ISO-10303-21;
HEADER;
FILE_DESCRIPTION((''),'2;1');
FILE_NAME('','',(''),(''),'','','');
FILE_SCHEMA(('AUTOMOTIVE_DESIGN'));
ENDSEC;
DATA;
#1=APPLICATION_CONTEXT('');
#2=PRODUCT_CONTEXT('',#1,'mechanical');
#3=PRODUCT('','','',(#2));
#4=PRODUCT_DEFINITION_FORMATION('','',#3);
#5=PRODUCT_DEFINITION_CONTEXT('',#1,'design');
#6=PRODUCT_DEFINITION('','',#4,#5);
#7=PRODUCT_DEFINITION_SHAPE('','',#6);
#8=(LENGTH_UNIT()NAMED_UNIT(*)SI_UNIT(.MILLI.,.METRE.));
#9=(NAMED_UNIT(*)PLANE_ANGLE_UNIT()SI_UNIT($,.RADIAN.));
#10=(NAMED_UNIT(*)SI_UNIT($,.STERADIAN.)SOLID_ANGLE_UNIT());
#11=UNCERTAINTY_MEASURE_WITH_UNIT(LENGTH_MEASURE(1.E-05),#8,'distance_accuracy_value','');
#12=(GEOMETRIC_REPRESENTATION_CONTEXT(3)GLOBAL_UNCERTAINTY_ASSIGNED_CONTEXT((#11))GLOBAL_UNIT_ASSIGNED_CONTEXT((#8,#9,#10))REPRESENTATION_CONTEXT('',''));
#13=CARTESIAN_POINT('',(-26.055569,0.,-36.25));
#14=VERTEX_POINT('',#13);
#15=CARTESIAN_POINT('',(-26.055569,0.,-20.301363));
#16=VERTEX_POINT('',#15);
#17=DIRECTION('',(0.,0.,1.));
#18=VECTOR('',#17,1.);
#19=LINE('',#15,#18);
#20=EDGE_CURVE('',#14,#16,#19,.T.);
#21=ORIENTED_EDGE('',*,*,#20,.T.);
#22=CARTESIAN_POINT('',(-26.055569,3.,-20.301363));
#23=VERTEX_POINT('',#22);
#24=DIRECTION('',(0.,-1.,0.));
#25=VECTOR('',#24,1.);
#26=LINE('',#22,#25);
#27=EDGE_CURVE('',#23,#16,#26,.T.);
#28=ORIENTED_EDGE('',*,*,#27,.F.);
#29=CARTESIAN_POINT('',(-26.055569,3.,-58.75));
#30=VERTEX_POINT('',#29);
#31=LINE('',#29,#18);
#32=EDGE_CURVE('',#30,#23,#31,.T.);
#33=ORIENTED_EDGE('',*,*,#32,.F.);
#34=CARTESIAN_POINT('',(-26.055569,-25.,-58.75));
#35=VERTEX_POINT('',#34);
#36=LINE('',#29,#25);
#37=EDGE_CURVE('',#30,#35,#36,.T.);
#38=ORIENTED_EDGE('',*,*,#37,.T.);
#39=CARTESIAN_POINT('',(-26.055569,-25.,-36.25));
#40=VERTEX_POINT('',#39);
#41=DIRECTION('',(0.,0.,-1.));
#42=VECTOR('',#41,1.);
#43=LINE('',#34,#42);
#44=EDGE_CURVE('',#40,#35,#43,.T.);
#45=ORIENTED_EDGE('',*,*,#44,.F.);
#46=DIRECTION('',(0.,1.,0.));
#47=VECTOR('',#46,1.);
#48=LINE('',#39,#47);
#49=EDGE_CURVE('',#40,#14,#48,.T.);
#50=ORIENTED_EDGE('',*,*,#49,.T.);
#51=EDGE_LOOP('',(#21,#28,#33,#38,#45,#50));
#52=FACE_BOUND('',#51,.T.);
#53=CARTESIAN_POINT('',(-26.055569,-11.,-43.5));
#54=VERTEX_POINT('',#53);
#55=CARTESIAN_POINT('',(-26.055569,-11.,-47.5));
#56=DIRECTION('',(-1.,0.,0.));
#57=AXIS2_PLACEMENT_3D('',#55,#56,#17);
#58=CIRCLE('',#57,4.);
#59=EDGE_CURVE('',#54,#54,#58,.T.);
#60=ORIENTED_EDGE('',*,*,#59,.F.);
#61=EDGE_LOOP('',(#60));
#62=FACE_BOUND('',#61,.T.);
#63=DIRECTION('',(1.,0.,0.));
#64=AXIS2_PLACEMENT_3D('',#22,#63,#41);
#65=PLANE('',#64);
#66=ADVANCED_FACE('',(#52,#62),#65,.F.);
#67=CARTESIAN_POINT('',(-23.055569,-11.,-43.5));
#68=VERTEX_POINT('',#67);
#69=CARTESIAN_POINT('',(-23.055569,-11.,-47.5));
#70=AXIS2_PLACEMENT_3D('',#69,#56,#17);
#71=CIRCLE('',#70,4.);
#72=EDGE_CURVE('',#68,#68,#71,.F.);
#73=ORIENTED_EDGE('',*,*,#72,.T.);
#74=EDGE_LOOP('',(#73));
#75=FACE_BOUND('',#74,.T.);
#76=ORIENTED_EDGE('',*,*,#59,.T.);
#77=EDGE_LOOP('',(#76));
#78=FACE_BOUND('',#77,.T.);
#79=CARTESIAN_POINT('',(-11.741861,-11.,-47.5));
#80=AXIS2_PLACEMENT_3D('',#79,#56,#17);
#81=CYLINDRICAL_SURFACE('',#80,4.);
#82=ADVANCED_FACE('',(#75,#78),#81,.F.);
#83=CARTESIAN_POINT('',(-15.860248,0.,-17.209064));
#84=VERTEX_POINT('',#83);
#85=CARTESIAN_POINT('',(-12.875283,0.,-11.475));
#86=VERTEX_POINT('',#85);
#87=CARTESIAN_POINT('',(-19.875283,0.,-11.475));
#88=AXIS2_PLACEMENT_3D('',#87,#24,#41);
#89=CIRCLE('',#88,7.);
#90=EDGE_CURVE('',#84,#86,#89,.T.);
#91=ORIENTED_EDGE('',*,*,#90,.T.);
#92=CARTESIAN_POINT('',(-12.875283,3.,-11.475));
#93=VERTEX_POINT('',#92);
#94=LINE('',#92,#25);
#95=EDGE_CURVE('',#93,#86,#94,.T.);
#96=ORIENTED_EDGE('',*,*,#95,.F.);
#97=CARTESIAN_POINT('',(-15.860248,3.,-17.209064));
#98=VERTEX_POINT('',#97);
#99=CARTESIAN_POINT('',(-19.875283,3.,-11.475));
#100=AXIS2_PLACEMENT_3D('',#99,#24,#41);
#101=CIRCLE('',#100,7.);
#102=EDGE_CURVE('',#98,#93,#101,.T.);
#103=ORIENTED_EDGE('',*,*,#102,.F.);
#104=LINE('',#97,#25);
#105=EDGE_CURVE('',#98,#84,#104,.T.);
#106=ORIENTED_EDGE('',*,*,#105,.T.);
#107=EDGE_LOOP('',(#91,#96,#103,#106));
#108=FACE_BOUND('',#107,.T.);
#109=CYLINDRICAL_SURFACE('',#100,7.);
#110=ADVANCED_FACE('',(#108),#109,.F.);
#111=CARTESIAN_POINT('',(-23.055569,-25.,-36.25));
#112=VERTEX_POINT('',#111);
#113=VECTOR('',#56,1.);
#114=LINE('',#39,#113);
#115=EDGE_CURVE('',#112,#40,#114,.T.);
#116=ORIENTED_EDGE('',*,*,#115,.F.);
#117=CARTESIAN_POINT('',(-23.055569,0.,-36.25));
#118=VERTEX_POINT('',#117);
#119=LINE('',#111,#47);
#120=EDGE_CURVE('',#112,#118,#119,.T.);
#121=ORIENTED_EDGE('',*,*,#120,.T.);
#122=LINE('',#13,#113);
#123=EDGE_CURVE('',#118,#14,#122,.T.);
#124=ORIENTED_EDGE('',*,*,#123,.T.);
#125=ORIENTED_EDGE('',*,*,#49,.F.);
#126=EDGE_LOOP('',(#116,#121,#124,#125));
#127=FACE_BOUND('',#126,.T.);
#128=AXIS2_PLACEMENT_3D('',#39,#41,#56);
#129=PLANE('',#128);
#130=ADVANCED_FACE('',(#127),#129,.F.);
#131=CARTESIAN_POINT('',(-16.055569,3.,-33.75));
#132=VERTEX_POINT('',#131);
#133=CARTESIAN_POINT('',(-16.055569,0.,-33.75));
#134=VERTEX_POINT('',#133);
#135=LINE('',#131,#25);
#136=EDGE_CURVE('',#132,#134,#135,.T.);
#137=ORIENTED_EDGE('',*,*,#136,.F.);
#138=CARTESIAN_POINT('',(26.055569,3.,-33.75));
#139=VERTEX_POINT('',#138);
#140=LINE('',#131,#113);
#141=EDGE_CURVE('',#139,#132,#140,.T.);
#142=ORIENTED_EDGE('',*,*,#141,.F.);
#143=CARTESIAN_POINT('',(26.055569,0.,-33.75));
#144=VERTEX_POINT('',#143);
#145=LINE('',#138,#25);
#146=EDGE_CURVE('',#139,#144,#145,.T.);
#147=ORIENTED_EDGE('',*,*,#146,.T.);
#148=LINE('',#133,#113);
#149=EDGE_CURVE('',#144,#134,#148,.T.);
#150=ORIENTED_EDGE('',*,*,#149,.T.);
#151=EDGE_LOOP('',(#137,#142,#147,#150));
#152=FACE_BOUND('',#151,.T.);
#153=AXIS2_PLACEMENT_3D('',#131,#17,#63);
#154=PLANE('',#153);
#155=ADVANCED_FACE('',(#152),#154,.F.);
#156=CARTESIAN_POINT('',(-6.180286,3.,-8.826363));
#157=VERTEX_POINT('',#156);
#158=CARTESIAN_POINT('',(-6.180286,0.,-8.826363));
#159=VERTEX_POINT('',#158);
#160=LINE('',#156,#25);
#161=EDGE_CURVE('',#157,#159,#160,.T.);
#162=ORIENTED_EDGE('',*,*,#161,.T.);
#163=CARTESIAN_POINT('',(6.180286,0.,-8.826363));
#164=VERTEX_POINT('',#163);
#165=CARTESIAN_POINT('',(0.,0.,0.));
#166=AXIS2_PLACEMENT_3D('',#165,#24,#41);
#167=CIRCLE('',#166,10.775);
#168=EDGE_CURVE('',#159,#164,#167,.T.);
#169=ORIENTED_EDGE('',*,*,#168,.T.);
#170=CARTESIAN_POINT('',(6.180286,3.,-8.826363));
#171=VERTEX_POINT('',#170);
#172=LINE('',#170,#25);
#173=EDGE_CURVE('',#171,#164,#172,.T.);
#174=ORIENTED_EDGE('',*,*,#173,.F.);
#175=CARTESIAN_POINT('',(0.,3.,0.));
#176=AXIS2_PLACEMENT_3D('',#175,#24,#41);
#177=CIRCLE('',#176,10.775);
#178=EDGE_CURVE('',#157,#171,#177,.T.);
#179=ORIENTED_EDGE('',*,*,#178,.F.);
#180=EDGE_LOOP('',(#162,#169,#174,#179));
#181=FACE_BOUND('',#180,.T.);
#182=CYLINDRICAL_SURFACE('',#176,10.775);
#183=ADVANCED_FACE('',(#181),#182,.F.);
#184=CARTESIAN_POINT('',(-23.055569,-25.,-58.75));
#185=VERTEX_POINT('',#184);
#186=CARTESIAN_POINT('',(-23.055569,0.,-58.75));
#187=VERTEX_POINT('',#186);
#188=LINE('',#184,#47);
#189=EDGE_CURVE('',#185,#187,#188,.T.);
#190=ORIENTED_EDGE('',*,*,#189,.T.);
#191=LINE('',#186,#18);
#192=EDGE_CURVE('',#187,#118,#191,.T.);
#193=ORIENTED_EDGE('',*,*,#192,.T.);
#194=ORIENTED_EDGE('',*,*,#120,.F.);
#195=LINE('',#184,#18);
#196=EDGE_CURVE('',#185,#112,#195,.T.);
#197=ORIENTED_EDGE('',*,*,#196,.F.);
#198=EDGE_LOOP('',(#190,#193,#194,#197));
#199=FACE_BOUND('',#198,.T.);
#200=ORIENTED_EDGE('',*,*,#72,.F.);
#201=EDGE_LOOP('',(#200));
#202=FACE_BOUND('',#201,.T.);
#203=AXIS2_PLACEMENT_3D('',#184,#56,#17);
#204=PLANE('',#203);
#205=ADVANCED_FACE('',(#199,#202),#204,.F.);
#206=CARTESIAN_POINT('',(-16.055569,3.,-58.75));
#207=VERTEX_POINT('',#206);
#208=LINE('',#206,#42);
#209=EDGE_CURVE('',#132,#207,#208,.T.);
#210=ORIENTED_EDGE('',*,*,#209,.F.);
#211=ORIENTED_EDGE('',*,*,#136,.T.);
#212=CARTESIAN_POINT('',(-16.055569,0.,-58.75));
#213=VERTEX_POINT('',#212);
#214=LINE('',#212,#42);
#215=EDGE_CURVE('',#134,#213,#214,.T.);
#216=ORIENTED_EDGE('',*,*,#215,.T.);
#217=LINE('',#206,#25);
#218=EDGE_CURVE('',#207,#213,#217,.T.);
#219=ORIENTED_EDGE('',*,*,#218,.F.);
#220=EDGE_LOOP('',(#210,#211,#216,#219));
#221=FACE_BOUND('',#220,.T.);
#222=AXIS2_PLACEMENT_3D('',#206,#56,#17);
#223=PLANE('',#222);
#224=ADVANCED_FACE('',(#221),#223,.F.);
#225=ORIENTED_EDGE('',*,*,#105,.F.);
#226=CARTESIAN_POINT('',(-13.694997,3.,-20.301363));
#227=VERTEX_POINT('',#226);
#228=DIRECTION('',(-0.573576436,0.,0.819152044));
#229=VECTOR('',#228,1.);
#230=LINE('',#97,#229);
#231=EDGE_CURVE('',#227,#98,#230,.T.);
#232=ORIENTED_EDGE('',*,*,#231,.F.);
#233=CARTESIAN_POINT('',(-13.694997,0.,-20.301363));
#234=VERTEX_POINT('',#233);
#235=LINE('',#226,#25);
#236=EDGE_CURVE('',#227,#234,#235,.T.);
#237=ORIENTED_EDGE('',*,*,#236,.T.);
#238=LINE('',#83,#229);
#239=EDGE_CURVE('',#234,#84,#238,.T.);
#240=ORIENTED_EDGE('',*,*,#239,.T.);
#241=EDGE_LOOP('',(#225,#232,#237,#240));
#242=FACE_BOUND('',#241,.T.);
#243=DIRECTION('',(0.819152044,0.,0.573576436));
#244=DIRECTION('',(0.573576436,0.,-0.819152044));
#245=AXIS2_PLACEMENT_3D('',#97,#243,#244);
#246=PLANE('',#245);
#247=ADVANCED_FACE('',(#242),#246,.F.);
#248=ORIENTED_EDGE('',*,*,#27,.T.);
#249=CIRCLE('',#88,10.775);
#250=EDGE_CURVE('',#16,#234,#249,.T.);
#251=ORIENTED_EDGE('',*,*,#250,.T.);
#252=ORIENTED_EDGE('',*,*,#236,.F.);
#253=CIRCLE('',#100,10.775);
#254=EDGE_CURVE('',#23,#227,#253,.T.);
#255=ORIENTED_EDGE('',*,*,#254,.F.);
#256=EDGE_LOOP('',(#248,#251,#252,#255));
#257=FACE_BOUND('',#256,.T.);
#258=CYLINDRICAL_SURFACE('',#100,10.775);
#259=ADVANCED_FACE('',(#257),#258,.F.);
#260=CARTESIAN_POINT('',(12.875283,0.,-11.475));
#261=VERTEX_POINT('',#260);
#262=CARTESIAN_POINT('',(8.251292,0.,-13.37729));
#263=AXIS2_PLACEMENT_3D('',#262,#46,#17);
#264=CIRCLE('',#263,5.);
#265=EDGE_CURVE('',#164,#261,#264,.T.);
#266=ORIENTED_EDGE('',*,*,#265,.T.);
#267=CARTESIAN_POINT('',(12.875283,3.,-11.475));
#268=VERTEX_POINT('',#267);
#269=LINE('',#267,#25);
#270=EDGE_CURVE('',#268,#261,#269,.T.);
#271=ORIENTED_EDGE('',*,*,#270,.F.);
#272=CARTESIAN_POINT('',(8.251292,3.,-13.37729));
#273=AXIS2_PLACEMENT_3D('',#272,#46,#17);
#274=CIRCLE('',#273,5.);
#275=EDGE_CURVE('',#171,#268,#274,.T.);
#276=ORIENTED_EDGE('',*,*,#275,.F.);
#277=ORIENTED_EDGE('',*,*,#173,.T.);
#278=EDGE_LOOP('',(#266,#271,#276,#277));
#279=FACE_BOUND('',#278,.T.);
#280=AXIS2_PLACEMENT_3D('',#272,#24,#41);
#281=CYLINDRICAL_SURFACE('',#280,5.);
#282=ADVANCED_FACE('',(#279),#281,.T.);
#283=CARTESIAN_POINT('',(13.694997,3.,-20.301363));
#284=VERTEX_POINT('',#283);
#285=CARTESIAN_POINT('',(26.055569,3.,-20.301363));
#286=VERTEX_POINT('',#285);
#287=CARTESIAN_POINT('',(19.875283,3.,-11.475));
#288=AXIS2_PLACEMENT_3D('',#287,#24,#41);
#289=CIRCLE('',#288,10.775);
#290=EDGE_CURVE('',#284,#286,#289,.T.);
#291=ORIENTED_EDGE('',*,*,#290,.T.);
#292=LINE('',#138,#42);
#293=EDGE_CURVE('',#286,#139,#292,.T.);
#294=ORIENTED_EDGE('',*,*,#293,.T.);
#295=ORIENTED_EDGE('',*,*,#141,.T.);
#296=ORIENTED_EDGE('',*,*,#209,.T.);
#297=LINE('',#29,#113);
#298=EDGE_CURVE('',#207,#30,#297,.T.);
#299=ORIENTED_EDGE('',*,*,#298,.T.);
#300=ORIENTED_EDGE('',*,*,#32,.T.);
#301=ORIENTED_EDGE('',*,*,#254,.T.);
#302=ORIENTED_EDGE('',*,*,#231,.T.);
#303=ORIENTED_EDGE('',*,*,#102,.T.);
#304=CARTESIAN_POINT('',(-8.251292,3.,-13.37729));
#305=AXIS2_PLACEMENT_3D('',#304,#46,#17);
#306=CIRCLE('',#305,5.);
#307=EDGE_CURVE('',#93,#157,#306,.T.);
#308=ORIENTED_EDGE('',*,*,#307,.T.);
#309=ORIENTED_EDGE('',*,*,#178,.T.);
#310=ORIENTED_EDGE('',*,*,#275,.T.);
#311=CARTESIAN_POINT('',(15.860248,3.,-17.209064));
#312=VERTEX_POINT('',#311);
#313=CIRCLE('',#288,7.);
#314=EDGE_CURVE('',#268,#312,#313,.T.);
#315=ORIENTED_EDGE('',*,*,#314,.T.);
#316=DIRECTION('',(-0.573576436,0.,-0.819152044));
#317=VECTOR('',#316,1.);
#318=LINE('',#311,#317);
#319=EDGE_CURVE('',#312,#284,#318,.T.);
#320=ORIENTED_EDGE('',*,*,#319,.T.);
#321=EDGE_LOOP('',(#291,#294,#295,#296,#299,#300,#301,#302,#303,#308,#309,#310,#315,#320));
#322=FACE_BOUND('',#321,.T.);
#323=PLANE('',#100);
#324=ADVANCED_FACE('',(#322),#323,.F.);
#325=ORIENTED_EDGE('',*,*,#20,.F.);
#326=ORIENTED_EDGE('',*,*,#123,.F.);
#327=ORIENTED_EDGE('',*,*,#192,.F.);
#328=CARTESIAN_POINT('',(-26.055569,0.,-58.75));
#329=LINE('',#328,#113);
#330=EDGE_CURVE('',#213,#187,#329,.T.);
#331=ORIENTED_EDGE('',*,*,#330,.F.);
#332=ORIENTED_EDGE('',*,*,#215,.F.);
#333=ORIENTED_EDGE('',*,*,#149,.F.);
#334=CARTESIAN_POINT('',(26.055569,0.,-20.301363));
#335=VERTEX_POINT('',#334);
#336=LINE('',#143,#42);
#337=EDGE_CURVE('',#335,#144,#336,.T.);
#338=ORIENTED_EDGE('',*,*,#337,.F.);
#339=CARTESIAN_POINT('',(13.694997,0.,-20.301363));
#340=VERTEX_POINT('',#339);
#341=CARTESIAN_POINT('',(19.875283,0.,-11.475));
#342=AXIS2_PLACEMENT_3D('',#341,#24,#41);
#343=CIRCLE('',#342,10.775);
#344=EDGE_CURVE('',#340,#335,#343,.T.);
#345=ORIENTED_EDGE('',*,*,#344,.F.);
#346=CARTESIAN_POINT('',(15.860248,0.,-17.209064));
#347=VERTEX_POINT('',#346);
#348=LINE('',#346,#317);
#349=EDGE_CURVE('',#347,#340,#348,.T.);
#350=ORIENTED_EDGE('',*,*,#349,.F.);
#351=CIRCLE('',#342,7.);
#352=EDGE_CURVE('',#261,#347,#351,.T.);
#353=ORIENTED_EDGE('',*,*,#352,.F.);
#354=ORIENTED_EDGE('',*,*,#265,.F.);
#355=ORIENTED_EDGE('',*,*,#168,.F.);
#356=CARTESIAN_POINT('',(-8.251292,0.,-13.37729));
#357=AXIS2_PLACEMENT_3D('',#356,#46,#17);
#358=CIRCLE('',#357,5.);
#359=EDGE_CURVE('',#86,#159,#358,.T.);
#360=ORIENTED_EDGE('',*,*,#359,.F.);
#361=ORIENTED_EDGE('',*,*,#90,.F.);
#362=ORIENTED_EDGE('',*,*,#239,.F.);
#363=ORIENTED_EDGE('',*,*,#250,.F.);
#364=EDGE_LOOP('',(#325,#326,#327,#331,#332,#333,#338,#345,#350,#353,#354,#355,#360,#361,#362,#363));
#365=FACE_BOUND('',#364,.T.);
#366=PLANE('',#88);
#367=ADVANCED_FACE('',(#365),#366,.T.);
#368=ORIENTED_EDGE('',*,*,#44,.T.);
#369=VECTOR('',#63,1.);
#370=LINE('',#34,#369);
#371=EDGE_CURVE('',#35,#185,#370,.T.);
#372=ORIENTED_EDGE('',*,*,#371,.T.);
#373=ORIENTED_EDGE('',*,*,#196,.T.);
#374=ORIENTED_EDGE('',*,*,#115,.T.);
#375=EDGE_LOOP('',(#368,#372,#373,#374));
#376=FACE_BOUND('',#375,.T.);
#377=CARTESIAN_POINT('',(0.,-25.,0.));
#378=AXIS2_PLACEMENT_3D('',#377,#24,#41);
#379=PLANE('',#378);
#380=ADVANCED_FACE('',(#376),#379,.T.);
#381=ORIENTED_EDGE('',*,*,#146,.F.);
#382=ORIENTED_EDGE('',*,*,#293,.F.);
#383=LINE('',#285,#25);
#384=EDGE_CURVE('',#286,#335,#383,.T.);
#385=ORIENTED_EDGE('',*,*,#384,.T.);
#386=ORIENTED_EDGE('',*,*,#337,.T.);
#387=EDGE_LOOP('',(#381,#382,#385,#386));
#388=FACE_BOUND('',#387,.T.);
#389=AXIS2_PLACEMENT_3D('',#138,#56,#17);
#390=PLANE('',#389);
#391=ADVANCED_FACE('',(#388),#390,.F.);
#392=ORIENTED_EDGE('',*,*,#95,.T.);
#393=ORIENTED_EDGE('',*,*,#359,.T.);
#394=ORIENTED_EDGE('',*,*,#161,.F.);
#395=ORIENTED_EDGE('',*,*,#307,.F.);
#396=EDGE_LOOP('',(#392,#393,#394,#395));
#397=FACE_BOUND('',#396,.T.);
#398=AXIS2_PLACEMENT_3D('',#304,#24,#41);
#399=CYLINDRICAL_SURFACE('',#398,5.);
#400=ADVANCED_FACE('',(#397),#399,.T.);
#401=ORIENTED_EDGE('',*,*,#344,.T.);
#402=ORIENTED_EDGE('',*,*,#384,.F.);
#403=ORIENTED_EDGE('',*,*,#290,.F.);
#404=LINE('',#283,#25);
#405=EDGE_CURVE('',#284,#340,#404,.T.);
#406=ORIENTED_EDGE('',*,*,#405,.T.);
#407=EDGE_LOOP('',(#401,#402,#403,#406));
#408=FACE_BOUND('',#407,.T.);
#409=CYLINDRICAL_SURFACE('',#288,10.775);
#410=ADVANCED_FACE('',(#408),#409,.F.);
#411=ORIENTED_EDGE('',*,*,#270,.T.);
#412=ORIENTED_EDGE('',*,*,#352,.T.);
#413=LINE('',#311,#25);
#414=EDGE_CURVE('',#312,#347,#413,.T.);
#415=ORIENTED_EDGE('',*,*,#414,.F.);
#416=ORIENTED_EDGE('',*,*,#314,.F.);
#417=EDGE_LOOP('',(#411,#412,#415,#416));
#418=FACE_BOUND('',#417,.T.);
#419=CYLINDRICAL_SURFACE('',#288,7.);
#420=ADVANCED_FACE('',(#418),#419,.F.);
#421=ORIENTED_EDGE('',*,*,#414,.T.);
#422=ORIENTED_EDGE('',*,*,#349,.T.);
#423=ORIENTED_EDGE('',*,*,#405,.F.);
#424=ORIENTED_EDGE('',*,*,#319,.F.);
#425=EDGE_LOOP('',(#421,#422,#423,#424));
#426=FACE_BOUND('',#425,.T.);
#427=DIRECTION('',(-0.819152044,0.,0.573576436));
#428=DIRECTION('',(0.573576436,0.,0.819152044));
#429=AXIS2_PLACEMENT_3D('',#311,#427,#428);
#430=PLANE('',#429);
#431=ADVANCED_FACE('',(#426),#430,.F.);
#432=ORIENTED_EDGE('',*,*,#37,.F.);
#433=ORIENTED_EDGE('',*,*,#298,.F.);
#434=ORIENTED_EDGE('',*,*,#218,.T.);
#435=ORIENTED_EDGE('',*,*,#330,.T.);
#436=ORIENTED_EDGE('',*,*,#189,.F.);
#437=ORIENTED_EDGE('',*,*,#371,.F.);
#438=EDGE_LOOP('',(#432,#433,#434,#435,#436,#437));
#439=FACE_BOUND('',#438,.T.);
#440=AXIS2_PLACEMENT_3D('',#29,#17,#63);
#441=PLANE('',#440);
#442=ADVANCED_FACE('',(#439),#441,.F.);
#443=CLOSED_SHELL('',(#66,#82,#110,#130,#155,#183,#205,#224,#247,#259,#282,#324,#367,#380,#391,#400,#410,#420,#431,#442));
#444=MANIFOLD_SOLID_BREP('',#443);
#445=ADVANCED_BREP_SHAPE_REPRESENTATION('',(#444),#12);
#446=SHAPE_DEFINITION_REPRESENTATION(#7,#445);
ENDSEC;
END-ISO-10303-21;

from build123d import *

# Parameters (mm, degrees)
BOSS_EXTRUDE1_DEPTH = 3
SKETCH3_W           = 3
SKETCH3_H           = 22.5
BOSS_EXTRUDE2_DEPTH = 25
SKETCH4_R           = 4
CUT_EXTRUDE1_DEPTH  = 3


with BuildPart() as part:
    # Sketch2 → Boss-Extrude1 (new body)
    with BuildSketch(Plane(origin=(0, 0, 0), x_dir=(1, 0, 0), z_dir=(0, 1, 0))):
        with BuildLine():
            Line((-15.860247962, 17.20906431), (-13.694996915, 20.301363277))
            ThreePointArc((-13.694996915, 20.301363277), (-19.875283017, 22.25), (-26.055569119, 20.301363277))
            Line((-26.055569119, 20.301363277), (-26.055569119, 33.75))
            Line((-26.055569119, 33.75), (-26.055569119, 58.75))
            Line((-26.055569119, 58.75), (-16.055569119, 58.75))
            Line((-16.055569119, 58.75), (-16.055569119, 33.75))
            Line((-16.055569119, 33.75), (26.055569119, 33.75))
            Line((26.055569119, 33.75), (26.055569119, 20.301363277))
            ThreePointArc((26.055569119, 20.301363277), (19.875283017, 22.25), (13.694996915, 20.301363277))
            Line((13.694996915, 20.301363277), (15.860247962, 17.20906431))
            ThreePointArc((15.860247962, 17.20906431), (13.666207185, 14.707240293), (12.875283017, 11.475))
            ThreePointArc((12.875283017, 11.475), (10.090653959, 8.727908609), (6.180286102, 8.826363277))
            ThreePointArc((6.180286102, 8.826363277), (0, 10.775), (-6.180286102, 8.826363277))
            ThreePointArc((-6.180286102, 8.826363277), (-10.090653959, 8.727908609), (-12.875283017, 11.475))
            ThreePointArc((-12.875283017, 11.475), (-13.666207185, 14.707240293), (-15.860247962, 17.20906431))
        make_face()
    extrude(amount=BOSS_EXTRUDE1_DEPTH)

    # Sketch3 → Boss-Extrude2 (add)
    with BuildSketch(Plane.XZ):
        with Locations((-24.555569119, -47.5)):
            Rectangle(SKETCH3_W, SKETCH3_H)
    extrude(amount=BOSS_EXTRUDE2_DEPTH)

    # Sketch4 → Cut-Extrude1 (cut)
    with BuildSketch(Plane.ZY.offset(26.055569119)):
        with Locations((-47.5, -11)):
            Circle(SKETCH4_R)
    extrude(amount=-CUT_EXTRUDE1_DEPTH, mode=Mode.SUBTRACT)


solid = part.part
